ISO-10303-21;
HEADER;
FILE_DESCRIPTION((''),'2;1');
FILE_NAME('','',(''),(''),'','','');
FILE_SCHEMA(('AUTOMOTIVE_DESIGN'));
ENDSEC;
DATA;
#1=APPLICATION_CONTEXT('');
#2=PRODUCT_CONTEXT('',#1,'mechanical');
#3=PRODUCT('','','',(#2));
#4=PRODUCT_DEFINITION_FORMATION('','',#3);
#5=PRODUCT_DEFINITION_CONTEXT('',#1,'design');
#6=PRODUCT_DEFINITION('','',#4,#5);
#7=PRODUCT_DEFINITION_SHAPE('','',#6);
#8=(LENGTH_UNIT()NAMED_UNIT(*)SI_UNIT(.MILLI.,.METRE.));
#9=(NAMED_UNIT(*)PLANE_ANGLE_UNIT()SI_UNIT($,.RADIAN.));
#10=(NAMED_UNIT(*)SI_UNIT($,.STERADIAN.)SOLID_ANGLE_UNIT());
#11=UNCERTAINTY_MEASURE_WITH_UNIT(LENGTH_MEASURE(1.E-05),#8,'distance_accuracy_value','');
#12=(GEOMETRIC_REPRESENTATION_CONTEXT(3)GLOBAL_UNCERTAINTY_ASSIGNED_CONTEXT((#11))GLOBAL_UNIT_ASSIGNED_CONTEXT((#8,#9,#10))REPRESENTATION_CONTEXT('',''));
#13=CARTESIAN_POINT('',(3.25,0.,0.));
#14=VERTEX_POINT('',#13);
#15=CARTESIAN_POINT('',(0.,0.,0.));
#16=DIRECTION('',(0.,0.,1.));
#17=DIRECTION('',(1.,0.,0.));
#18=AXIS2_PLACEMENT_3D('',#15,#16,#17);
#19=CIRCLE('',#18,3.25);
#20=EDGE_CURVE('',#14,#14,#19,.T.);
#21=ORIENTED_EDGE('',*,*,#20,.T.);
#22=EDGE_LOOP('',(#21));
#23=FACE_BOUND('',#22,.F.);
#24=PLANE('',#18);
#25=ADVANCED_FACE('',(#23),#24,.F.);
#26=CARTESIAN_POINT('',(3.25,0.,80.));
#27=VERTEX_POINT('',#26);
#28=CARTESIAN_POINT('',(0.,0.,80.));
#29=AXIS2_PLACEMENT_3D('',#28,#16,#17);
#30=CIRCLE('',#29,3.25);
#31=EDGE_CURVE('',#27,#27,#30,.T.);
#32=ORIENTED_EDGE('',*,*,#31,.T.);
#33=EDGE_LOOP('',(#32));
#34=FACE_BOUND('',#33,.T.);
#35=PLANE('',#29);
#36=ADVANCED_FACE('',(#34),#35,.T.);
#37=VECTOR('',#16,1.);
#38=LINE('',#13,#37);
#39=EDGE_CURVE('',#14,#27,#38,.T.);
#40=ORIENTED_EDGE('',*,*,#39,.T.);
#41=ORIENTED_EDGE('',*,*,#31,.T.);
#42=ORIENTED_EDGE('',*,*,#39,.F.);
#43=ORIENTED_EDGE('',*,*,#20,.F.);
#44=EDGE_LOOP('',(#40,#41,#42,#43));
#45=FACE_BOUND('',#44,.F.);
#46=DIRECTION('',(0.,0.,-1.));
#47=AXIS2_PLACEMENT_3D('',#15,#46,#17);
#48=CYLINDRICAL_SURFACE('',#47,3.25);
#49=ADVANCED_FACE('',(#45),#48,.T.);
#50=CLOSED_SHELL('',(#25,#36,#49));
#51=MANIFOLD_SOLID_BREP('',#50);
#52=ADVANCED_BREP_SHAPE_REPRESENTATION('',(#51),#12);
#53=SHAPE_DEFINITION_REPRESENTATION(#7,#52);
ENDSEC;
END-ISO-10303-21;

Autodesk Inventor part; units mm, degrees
ref_plane "YZ Plane" through (0, 0, 0) normal (1, 0, 0) x (0, 1, 0)
ref_plane "XZ Plane" through (0, 0, 0) normal (0, 1, 0) x (-1, 0, 0)
ref_plane "XY Plane" through (0, 0, 0) normal (0, 0, 1) x (1, 0, 0)
sketch "Sketch1" plane through (0, 0, 0) normal (0, 0, 1) x (1, 0, 0)
  circle A0 centre (0, 0) radius 3.25
  dimension "d0" = 6.5
extrude "Extrusion1" add sketch "Sketch1" along normal blind 80
thread "Thread1" size "M7x1" class "6g" standard "ANSI Metric M Profile" full length
properties part number "barra tensor"
